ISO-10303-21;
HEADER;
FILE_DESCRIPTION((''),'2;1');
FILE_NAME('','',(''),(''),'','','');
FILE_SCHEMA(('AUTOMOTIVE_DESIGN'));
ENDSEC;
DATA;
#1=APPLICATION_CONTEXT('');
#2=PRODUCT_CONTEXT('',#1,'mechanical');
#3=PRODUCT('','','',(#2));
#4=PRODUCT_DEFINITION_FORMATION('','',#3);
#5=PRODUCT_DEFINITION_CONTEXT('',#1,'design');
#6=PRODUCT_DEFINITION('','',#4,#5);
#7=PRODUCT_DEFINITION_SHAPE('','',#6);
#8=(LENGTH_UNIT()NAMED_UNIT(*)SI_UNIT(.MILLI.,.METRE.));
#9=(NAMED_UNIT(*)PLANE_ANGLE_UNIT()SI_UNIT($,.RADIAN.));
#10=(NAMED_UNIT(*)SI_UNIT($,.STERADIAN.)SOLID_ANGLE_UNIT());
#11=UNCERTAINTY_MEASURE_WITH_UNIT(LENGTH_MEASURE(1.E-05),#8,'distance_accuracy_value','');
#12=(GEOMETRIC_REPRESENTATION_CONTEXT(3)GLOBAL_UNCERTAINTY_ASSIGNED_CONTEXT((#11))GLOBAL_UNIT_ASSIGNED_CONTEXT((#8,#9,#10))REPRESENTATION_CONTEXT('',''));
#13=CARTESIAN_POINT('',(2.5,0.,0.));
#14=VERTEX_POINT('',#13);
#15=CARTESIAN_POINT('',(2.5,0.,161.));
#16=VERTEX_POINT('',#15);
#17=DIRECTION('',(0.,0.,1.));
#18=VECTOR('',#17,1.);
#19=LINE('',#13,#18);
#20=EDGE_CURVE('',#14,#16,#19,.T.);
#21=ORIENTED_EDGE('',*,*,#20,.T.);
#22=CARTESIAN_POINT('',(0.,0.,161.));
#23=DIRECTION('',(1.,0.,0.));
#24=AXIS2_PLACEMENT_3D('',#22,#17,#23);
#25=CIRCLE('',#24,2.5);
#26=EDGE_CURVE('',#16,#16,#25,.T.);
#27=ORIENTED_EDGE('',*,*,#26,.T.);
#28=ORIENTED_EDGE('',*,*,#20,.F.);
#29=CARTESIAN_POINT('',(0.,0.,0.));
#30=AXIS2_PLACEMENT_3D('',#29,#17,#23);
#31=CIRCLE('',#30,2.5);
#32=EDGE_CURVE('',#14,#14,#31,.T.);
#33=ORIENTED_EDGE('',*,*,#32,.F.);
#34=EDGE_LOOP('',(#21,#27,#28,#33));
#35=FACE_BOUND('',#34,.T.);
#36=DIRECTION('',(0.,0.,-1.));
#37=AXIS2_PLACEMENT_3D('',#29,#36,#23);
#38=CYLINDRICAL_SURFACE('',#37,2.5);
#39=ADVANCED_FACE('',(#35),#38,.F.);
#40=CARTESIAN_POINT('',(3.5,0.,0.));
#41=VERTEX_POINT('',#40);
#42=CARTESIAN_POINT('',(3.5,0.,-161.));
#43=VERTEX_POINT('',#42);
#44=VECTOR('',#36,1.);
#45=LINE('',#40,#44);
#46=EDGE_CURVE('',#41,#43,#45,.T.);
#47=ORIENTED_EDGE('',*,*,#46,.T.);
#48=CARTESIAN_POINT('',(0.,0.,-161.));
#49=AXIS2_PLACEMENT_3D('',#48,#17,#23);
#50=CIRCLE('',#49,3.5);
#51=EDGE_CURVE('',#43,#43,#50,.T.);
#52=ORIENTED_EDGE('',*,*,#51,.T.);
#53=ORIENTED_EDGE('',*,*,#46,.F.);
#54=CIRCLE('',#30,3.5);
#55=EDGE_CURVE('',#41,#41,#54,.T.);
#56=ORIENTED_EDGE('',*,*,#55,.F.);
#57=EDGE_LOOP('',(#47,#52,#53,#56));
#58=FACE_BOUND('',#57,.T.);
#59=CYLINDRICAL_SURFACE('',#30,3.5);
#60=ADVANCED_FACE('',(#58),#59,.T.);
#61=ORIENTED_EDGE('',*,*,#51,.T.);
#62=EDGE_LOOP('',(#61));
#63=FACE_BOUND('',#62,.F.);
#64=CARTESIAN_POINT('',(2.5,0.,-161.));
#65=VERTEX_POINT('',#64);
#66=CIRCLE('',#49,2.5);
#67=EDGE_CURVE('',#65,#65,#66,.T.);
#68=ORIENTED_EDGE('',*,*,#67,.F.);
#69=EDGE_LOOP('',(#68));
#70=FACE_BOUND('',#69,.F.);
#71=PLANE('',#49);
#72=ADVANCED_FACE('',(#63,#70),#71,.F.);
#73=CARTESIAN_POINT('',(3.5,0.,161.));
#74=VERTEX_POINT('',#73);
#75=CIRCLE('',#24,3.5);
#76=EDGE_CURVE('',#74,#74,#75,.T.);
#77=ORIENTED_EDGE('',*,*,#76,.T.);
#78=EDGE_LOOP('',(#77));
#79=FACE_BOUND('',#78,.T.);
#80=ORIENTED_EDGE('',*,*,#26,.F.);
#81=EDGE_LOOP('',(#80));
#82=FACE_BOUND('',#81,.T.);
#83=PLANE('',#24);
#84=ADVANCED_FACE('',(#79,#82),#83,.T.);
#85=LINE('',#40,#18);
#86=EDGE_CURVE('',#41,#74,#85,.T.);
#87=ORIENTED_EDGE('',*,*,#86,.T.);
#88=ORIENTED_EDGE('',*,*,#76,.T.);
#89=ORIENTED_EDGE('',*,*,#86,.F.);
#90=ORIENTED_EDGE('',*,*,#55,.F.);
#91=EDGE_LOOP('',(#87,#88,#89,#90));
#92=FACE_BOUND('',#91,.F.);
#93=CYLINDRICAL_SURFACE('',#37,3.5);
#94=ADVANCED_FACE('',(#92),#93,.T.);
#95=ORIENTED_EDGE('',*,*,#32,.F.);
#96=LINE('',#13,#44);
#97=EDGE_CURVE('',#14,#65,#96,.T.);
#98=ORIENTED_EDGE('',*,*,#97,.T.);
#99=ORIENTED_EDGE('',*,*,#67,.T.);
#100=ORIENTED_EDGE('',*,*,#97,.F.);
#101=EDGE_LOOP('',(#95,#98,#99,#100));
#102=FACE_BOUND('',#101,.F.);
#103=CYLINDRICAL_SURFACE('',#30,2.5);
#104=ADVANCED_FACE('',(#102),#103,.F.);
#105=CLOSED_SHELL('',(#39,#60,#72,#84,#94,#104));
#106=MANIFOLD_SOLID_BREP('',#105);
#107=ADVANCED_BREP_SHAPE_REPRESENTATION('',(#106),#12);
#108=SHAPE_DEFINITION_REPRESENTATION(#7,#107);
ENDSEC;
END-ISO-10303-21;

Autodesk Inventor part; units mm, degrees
ref_plane "YZ Plane" through (0, 0, 0) normal (1, 0, 0) x (0, 1, 0)
ref_plane "XZ Plane" through (0, 0, 0) normal (0, 1, 0) x (-1, 0, 0)
ref_plane "XY Plane" through (0, 0, 0) normal (0, 0, 1) x (1, 0, 0)
sketch "Sketch2" plane through (0, 0, 0) normal (0, 0, 1) x (1, 0, 0)
  circle A0 centre (0, 0) radius 3.5
  circle A1 centre (0, 0) radius 2.5
  dimension "d0" = 7
  dimension "d1" = 5
extrude "Extrusion1" add sketch "Sketch2" along normal mid plane 322
properties part number "RT_FRM_MC_006_Forearm" material "CFRP"
